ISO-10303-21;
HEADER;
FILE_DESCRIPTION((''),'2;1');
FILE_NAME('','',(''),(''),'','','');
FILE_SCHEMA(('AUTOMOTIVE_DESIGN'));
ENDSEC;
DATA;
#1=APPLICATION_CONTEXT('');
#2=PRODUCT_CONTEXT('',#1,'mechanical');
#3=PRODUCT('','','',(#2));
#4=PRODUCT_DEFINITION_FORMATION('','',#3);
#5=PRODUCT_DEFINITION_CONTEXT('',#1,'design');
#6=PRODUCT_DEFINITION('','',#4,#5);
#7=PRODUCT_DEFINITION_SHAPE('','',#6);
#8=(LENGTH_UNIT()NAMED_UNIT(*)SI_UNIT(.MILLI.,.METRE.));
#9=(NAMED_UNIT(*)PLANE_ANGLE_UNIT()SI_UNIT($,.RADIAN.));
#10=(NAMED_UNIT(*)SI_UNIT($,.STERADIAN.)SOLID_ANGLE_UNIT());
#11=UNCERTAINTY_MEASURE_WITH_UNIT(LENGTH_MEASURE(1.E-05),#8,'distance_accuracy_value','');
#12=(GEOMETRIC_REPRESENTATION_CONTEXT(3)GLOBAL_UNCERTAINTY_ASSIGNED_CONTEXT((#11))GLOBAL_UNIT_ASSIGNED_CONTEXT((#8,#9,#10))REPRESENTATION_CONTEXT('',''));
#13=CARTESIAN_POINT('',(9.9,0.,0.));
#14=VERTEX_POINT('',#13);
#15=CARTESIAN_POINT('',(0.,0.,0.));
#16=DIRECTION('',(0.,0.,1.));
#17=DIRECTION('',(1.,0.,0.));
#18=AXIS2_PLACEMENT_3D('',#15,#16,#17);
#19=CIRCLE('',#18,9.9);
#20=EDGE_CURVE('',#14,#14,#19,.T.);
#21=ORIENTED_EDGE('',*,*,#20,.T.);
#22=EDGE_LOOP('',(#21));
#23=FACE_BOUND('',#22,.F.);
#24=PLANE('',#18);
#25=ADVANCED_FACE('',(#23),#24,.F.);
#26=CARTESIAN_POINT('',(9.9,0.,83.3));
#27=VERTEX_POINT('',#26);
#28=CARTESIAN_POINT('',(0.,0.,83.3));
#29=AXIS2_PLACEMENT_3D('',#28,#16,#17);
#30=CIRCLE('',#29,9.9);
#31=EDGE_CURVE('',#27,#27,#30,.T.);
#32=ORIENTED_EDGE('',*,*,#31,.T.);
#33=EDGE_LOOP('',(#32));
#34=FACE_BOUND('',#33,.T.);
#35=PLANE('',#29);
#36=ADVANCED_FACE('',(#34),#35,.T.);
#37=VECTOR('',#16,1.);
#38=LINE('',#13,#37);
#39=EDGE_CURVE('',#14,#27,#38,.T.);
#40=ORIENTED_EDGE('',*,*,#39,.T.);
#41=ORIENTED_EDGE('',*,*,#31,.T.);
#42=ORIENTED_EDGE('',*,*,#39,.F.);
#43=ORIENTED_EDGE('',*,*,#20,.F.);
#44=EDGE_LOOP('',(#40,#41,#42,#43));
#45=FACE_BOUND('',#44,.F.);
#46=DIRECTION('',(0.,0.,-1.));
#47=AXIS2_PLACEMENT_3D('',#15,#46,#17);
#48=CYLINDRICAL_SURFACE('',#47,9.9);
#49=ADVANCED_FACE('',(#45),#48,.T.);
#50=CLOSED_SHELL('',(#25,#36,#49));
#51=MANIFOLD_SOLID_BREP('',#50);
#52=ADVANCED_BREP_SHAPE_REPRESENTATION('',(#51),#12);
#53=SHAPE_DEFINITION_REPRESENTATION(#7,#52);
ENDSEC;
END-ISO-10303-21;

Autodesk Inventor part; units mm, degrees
ref_plane "YZ Plane" through (0, 0, 0) normal (1, 0, 0) x (0, 1, 0)
ref_plane "XZ Plane" through (0, 0, 0) normal (0, 1, 0) x (-1, 0, 0)
ref_plane "XY Plane" through (0, 0, 0) normal (0, 0, 1) x (1, 0, 0)
sketch "Sketch1" plane through (0, 0, 0) normal (0, 0, 1) x (1, 0, 0)
  circle A0 centre (0, 0) radius 9.9
  dimension "d0" = 19.8
extrude "Extrusion1" add sketch "Sketch1" along normal blind 83.3
properties part number "rod" material "Steel"
